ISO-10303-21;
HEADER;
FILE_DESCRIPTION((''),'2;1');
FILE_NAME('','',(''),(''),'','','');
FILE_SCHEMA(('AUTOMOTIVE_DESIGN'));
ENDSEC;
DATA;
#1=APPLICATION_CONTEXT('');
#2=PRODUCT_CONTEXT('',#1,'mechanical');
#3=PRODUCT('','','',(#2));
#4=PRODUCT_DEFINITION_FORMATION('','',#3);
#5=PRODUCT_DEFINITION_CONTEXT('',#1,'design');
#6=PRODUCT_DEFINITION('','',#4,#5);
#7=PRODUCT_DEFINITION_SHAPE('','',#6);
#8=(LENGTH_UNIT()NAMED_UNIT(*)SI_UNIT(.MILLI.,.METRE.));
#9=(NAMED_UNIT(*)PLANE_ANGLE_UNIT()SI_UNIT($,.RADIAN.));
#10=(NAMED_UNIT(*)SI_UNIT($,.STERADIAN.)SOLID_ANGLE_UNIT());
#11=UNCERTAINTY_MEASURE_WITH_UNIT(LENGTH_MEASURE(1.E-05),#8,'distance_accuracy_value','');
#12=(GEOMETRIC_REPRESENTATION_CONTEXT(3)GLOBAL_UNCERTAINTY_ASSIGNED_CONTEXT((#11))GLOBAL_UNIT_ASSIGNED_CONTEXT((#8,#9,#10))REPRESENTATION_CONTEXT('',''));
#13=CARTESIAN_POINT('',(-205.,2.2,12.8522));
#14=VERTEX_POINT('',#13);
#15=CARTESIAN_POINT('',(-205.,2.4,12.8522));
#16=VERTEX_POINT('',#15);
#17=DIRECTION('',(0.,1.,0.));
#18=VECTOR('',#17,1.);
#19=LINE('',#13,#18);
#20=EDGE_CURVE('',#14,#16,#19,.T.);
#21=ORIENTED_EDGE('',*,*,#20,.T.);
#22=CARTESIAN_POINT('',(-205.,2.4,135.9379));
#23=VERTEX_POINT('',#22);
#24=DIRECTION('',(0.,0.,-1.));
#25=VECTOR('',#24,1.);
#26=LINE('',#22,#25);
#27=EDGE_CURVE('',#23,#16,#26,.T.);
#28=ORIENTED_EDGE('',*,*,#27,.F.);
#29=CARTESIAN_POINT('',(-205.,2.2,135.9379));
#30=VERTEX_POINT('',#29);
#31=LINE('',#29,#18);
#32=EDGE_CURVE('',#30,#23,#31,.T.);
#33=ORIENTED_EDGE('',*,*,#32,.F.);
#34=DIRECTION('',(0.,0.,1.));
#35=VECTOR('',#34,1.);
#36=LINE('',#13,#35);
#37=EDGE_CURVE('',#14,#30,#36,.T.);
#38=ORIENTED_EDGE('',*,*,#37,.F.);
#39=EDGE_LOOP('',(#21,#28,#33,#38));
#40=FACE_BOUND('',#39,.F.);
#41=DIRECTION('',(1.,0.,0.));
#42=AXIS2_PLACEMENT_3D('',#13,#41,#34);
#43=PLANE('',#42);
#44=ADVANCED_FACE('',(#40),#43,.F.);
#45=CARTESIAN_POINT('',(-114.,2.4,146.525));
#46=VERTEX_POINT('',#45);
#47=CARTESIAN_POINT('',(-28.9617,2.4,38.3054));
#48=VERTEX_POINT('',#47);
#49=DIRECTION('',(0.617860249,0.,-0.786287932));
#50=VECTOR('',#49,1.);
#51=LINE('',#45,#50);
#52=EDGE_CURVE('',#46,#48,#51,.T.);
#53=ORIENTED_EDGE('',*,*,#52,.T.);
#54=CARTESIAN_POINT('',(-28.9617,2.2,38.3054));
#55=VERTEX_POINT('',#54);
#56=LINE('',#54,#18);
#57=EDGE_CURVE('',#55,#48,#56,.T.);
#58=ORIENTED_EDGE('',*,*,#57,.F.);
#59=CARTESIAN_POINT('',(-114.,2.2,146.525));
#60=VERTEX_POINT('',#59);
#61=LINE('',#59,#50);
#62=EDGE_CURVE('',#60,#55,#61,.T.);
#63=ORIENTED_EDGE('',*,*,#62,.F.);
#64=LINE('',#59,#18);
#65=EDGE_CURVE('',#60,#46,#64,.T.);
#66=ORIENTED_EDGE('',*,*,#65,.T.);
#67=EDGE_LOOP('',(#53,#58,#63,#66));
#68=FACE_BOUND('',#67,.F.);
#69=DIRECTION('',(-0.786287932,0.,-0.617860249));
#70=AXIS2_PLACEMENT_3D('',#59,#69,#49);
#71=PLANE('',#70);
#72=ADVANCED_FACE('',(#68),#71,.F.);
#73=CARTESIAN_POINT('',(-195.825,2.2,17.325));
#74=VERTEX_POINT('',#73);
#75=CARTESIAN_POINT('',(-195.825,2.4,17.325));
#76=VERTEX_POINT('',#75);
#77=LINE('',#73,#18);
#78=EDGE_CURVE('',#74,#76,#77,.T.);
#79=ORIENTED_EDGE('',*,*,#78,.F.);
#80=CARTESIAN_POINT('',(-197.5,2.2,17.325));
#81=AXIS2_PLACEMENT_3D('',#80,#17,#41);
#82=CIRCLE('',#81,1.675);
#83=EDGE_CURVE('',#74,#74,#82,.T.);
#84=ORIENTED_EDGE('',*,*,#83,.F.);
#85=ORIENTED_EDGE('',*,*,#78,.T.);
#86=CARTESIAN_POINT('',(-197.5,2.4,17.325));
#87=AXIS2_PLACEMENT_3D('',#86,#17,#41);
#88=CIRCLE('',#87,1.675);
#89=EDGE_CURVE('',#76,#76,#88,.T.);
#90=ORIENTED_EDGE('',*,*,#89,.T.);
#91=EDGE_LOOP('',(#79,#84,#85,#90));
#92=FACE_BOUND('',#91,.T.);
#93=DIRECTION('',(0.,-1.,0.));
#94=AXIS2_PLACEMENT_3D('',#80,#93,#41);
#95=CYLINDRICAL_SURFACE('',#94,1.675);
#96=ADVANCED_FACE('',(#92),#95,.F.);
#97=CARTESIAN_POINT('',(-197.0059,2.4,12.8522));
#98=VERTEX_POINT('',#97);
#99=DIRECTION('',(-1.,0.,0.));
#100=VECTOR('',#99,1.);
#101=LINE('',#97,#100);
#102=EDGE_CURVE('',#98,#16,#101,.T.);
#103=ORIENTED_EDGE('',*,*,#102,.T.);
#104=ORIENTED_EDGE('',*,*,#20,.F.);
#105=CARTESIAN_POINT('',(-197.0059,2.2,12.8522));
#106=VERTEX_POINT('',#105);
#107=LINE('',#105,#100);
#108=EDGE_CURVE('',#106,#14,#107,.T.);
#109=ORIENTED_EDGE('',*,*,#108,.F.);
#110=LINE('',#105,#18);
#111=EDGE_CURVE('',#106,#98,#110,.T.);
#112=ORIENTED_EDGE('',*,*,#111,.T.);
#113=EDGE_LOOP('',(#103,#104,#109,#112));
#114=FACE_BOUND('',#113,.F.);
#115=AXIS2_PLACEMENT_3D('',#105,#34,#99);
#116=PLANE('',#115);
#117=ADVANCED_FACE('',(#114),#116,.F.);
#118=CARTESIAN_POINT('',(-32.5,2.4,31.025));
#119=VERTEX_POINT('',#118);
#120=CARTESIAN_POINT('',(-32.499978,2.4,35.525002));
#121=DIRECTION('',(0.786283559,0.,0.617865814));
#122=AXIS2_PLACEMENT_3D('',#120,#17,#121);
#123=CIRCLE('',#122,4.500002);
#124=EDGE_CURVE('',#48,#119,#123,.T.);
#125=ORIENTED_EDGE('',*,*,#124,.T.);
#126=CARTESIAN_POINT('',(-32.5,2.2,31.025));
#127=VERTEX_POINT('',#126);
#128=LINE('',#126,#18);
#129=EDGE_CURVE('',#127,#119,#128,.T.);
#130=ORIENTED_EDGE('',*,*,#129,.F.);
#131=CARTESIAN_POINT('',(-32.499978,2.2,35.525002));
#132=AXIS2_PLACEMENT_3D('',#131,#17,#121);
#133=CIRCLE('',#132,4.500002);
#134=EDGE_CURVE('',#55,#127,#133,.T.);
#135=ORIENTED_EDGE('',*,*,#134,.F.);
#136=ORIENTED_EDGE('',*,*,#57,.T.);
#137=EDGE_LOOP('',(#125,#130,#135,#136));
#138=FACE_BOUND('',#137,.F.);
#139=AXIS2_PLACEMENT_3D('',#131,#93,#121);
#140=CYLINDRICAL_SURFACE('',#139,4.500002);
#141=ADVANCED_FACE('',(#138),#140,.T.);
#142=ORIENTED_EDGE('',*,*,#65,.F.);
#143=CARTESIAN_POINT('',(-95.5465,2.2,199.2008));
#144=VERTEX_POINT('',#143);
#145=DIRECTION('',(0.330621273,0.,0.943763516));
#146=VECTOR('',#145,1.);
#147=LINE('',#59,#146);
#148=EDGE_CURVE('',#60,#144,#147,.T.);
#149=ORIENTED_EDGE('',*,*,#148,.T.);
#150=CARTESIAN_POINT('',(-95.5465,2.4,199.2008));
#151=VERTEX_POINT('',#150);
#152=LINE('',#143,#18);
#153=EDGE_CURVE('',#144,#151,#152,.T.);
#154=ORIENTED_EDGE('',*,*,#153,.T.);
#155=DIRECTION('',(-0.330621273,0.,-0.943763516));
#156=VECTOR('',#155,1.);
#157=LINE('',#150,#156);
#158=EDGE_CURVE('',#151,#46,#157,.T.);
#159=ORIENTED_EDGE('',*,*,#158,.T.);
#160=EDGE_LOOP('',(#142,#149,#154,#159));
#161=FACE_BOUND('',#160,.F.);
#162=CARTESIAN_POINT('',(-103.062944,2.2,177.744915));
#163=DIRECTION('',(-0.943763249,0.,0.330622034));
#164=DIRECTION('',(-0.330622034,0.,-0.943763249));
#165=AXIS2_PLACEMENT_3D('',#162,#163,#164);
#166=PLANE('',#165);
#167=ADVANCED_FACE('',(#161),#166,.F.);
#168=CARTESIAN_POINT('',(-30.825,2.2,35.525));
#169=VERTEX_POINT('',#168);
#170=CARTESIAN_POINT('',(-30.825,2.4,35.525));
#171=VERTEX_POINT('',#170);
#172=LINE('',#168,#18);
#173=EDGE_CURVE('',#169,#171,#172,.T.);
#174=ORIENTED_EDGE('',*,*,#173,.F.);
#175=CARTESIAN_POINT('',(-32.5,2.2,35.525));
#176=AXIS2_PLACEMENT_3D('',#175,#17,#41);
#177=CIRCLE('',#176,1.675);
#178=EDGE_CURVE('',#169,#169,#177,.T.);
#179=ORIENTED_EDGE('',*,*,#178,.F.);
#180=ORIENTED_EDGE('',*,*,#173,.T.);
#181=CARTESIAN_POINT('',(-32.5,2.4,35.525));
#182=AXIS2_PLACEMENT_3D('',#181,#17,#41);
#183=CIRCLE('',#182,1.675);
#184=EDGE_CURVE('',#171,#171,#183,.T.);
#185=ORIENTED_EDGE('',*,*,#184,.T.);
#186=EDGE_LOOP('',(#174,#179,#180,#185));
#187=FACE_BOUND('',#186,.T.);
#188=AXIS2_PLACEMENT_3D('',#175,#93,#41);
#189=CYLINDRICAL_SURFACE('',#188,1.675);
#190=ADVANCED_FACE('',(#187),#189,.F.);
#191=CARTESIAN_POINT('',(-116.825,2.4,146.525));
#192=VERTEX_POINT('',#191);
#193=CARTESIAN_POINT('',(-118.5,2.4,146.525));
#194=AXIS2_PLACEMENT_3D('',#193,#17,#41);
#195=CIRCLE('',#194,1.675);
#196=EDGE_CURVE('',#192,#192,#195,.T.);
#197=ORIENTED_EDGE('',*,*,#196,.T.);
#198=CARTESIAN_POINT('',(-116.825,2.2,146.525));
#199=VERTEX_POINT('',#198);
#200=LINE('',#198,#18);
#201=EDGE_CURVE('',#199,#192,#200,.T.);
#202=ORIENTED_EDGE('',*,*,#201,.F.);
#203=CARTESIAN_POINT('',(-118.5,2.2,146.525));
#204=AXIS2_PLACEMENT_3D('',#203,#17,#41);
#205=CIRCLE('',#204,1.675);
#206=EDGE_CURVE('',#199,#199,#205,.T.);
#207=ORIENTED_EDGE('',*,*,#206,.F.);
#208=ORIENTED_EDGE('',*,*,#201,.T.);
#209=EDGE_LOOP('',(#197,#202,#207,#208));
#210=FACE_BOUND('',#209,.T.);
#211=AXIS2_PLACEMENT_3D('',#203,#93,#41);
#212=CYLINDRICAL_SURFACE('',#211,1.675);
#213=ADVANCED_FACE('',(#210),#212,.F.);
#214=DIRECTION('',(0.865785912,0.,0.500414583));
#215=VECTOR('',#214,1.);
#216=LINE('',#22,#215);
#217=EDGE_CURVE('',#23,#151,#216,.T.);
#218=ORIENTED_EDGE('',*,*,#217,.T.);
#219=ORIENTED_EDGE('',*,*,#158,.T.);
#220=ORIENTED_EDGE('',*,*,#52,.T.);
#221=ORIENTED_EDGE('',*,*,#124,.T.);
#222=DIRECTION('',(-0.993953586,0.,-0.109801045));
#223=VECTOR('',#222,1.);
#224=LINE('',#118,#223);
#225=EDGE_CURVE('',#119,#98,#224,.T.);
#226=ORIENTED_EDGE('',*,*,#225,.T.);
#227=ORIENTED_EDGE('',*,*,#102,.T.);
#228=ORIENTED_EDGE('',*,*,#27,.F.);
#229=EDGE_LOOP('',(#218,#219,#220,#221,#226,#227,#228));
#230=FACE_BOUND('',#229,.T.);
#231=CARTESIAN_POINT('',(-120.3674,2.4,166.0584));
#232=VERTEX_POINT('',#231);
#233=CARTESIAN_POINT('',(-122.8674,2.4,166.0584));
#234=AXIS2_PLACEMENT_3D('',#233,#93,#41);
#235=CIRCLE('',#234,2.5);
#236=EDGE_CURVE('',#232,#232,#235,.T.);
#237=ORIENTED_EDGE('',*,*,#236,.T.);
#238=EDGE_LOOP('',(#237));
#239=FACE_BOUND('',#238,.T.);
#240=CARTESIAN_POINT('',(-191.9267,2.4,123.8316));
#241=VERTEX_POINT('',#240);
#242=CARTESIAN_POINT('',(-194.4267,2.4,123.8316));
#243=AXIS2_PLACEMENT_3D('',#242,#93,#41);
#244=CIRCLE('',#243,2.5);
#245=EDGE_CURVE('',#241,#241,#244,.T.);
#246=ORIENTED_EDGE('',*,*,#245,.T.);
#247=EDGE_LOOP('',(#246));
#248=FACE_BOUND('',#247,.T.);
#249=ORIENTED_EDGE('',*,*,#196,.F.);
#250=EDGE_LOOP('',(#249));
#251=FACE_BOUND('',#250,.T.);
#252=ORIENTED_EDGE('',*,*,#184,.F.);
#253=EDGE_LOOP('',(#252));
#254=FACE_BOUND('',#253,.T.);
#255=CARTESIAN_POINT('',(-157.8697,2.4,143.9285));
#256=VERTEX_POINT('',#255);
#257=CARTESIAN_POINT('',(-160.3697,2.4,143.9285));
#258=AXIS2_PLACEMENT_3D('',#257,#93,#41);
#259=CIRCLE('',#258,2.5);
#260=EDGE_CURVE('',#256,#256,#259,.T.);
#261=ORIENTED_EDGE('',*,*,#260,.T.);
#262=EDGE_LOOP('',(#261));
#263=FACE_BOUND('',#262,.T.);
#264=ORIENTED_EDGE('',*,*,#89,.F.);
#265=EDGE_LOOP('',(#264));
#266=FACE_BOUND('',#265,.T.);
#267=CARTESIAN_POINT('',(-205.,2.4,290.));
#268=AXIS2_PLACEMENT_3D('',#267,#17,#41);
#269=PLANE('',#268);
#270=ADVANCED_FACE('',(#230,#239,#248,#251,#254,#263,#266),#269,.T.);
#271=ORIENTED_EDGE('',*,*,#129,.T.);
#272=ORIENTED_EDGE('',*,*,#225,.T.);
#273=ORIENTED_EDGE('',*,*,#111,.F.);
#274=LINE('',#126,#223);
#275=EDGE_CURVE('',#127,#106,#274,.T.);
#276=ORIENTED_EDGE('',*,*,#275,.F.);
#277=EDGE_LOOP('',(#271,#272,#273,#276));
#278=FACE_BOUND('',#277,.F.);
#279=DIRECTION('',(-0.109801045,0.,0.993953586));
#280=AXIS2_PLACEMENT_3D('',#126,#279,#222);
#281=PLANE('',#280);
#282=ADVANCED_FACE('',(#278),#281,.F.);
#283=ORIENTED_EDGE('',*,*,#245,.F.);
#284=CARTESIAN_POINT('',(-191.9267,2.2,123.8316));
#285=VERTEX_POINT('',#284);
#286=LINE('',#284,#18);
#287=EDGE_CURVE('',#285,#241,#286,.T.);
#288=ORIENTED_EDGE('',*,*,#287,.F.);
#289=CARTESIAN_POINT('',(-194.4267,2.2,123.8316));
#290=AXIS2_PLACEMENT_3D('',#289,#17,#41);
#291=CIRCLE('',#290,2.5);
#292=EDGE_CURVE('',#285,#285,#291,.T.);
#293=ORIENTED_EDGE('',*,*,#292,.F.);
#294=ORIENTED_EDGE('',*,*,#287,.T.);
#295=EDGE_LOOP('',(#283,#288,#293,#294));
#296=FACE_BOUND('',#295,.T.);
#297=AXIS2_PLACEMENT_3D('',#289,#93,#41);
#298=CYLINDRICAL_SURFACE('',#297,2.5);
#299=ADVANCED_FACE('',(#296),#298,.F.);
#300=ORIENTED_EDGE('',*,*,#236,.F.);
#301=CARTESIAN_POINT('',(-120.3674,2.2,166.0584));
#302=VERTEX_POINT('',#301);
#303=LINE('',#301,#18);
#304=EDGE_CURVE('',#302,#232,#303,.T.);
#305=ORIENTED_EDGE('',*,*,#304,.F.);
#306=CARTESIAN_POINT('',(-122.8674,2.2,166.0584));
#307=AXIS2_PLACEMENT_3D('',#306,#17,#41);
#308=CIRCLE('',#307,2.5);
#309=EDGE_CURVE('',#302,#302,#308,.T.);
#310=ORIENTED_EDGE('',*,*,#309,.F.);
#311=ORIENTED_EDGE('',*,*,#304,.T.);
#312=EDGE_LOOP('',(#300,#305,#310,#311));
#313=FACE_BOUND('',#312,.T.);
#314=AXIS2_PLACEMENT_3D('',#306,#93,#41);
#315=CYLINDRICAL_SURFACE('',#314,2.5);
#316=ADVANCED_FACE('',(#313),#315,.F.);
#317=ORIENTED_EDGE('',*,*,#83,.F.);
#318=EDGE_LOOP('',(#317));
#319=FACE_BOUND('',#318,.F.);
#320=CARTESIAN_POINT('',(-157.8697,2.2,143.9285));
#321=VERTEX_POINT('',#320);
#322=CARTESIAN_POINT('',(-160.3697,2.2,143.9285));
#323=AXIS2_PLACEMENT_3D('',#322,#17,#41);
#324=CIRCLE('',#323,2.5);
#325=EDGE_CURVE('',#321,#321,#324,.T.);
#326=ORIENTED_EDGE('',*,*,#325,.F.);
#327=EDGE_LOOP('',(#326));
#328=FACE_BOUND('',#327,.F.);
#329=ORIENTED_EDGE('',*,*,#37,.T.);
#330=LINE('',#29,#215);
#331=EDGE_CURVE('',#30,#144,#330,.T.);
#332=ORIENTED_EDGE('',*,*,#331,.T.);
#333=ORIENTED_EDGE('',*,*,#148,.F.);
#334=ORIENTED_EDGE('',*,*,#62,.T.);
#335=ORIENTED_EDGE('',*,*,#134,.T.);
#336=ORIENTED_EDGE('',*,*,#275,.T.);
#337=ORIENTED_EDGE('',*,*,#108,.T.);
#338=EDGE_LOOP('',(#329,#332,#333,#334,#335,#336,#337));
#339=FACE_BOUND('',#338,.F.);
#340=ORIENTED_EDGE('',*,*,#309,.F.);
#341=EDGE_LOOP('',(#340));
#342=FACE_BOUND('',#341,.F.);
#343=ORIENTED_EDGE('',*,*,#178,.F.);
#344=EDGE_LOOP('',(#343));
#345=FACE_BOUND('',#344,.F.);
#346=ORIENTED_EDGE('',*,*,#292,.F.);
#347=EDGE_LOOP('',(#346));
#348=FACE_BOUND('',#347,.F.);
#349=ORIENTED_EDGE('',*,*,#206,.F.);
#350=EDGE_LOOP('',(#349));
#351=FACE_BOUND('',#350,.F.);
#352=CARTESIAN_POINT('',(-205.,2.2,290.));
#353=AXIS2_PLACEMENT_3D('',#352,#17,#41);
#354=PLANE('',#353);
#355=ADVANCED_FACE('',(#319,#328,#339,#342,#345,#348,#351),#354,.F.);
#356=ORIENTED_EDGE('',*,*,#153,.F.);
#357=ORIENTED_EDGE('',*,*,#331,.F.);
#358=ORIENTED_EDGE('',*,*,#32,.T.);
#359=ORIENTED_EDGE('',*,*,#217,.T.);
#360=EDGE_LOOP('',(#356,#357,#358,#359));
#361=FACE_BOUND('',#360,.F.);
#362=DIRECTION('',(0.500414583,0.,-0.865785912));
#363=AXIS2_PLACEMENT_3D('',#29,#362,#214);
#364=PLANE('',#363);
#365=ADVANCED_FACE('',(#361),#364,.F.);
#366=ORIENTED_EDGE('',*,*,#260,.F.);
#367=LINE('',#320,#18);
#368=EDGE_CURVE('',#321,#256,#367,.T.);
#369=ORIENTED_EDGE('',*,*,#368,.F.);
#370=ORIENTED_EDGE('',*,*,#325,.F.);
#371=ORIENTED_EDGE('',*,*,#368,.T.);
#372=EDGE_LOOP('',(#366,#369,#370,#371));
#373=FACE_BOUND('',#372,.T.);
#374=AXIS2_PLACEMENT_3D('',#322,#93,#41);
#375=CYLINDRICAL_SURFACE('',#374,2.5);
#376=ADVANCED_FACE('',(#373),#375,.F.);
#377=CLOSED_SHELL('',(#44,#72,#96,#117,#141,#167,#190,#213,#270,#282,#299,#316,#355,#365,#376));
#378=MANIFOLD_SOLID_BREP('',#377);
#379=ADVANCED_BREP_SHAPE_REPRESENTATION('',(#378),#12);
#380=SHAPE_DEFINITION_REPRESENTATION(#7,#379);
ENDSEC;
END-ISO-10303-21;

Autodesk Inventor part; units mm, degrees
ref_plane "YZ Plane" through (0, 0, 0) normal (1, 0, 0) x (0, 1, 0)
ref_plane "XZ Plane" through (0, 0, 0) normal (0, 1, 0) x (-1, 0, 0)
ref_plane "Work Plane1" through (-205, 2.2, 290) normal (0, 1, 0) x (1, 0, 0)
sketch "Sketch1" plane through (-205, 2.2, 290) normal (0, 1, 0) x (1, 0, 0)
  line L0 (0, 277.1478) -> (0, 0)
  line L1 (0, 172.4077) -> (101.9371, 112.2551)
  line L2 (138.3655, 8.2698) -> (91, 143.475)
  line L3 (0, 154.0621) -> (109.4535, 90.7992)
  circle A0 centre (10.5733, 166.1684) radius 2.5
  circle A1 centre (44.6303, 146.0715) radius 2.5
  circle A2 centre (82.1326, 123.9416) radius 2.5
  circle A3 centre (86.5, 143.475) radius 1.675
  circle A4 centre (86.5, 143.475) radius 1.675
  circle A5 centre (86.5, 143.475) radius 1.675
  circle A6 centre (86.5, 143.475) radius 1.675
  line L4 (91, 143.475) -> (176.0383, 251.6946)
  line L5 (91, 143.475) -> (176.0383, 251.6946)
  line L6 (91, 143.475) -> (176.0383, 251.6946)
  line L7 (91, 143.475) -> (176.0383, 251.6946)
  circle A7 centre (172.5, 254.475) radius 1.675
  circle A8 centre (172.5, 254.475) radius 1.675
  circle A9 centre (172.5, 254.475) radius 1.675
  circle A10 centre (172.5, 254.475) radius 1.675
  arc A11 (176.0383, 251.6946) -> (172.5, 258.975) centre (172.5, 254.475) ccw
  arc A12 (176.0383, 251.6946) -> (172.5, 258.975) centre (172.5, 254.475) ccw
  arc A13 (176.0383, 251.6946) -> (172.5, 258.975) centre (172.5, 254.475) ccw
  arc A14 (176.0383, 251.6946) -> (172.5, 258.975) centre (172.5, 254.475) ccw
  line L8 (172.5, 258.975) -> (7.9941, 277.1478)
  line L9 (172.5, 258.975) -> (7.9941, 277.1478)
  line L10 (172.5, 258.975) -> (7.9941, 277.1478)
  line L11 (172.5, 258.975) -> (7.9941, 277.1478)
  circle A15 centre (7.5, 272.675) radius 1.675
  circle A16 centre (7.5, 272.675) radius 1.675
  circle A17 centre (7.5, 272.675) radius 1.675
  circle A18 centre (7.5, 272.675) radius 1.675
  line L12 (7.9941, 277.1478) -> (0, 277.1478)
  line L13 (7.9941, 277.1478) -> (0, 277.1478)
  line L14 (7.9941, 277.1478) -> (0, 277.1478)
  line L15 (7.9941, 277.1478) -> (0, 277.1478)
  point P0 (205, 290)
extrude "Extrusion1" add sketch "Sketch1" along normal blind 0.2 contours L12 L8 A11 L4 L2 L1 A2 A1 A0 L0 | L1 A0 A1 A2 L2 L3 L0
properties part number "base_main_pcb_p1_itr3"
